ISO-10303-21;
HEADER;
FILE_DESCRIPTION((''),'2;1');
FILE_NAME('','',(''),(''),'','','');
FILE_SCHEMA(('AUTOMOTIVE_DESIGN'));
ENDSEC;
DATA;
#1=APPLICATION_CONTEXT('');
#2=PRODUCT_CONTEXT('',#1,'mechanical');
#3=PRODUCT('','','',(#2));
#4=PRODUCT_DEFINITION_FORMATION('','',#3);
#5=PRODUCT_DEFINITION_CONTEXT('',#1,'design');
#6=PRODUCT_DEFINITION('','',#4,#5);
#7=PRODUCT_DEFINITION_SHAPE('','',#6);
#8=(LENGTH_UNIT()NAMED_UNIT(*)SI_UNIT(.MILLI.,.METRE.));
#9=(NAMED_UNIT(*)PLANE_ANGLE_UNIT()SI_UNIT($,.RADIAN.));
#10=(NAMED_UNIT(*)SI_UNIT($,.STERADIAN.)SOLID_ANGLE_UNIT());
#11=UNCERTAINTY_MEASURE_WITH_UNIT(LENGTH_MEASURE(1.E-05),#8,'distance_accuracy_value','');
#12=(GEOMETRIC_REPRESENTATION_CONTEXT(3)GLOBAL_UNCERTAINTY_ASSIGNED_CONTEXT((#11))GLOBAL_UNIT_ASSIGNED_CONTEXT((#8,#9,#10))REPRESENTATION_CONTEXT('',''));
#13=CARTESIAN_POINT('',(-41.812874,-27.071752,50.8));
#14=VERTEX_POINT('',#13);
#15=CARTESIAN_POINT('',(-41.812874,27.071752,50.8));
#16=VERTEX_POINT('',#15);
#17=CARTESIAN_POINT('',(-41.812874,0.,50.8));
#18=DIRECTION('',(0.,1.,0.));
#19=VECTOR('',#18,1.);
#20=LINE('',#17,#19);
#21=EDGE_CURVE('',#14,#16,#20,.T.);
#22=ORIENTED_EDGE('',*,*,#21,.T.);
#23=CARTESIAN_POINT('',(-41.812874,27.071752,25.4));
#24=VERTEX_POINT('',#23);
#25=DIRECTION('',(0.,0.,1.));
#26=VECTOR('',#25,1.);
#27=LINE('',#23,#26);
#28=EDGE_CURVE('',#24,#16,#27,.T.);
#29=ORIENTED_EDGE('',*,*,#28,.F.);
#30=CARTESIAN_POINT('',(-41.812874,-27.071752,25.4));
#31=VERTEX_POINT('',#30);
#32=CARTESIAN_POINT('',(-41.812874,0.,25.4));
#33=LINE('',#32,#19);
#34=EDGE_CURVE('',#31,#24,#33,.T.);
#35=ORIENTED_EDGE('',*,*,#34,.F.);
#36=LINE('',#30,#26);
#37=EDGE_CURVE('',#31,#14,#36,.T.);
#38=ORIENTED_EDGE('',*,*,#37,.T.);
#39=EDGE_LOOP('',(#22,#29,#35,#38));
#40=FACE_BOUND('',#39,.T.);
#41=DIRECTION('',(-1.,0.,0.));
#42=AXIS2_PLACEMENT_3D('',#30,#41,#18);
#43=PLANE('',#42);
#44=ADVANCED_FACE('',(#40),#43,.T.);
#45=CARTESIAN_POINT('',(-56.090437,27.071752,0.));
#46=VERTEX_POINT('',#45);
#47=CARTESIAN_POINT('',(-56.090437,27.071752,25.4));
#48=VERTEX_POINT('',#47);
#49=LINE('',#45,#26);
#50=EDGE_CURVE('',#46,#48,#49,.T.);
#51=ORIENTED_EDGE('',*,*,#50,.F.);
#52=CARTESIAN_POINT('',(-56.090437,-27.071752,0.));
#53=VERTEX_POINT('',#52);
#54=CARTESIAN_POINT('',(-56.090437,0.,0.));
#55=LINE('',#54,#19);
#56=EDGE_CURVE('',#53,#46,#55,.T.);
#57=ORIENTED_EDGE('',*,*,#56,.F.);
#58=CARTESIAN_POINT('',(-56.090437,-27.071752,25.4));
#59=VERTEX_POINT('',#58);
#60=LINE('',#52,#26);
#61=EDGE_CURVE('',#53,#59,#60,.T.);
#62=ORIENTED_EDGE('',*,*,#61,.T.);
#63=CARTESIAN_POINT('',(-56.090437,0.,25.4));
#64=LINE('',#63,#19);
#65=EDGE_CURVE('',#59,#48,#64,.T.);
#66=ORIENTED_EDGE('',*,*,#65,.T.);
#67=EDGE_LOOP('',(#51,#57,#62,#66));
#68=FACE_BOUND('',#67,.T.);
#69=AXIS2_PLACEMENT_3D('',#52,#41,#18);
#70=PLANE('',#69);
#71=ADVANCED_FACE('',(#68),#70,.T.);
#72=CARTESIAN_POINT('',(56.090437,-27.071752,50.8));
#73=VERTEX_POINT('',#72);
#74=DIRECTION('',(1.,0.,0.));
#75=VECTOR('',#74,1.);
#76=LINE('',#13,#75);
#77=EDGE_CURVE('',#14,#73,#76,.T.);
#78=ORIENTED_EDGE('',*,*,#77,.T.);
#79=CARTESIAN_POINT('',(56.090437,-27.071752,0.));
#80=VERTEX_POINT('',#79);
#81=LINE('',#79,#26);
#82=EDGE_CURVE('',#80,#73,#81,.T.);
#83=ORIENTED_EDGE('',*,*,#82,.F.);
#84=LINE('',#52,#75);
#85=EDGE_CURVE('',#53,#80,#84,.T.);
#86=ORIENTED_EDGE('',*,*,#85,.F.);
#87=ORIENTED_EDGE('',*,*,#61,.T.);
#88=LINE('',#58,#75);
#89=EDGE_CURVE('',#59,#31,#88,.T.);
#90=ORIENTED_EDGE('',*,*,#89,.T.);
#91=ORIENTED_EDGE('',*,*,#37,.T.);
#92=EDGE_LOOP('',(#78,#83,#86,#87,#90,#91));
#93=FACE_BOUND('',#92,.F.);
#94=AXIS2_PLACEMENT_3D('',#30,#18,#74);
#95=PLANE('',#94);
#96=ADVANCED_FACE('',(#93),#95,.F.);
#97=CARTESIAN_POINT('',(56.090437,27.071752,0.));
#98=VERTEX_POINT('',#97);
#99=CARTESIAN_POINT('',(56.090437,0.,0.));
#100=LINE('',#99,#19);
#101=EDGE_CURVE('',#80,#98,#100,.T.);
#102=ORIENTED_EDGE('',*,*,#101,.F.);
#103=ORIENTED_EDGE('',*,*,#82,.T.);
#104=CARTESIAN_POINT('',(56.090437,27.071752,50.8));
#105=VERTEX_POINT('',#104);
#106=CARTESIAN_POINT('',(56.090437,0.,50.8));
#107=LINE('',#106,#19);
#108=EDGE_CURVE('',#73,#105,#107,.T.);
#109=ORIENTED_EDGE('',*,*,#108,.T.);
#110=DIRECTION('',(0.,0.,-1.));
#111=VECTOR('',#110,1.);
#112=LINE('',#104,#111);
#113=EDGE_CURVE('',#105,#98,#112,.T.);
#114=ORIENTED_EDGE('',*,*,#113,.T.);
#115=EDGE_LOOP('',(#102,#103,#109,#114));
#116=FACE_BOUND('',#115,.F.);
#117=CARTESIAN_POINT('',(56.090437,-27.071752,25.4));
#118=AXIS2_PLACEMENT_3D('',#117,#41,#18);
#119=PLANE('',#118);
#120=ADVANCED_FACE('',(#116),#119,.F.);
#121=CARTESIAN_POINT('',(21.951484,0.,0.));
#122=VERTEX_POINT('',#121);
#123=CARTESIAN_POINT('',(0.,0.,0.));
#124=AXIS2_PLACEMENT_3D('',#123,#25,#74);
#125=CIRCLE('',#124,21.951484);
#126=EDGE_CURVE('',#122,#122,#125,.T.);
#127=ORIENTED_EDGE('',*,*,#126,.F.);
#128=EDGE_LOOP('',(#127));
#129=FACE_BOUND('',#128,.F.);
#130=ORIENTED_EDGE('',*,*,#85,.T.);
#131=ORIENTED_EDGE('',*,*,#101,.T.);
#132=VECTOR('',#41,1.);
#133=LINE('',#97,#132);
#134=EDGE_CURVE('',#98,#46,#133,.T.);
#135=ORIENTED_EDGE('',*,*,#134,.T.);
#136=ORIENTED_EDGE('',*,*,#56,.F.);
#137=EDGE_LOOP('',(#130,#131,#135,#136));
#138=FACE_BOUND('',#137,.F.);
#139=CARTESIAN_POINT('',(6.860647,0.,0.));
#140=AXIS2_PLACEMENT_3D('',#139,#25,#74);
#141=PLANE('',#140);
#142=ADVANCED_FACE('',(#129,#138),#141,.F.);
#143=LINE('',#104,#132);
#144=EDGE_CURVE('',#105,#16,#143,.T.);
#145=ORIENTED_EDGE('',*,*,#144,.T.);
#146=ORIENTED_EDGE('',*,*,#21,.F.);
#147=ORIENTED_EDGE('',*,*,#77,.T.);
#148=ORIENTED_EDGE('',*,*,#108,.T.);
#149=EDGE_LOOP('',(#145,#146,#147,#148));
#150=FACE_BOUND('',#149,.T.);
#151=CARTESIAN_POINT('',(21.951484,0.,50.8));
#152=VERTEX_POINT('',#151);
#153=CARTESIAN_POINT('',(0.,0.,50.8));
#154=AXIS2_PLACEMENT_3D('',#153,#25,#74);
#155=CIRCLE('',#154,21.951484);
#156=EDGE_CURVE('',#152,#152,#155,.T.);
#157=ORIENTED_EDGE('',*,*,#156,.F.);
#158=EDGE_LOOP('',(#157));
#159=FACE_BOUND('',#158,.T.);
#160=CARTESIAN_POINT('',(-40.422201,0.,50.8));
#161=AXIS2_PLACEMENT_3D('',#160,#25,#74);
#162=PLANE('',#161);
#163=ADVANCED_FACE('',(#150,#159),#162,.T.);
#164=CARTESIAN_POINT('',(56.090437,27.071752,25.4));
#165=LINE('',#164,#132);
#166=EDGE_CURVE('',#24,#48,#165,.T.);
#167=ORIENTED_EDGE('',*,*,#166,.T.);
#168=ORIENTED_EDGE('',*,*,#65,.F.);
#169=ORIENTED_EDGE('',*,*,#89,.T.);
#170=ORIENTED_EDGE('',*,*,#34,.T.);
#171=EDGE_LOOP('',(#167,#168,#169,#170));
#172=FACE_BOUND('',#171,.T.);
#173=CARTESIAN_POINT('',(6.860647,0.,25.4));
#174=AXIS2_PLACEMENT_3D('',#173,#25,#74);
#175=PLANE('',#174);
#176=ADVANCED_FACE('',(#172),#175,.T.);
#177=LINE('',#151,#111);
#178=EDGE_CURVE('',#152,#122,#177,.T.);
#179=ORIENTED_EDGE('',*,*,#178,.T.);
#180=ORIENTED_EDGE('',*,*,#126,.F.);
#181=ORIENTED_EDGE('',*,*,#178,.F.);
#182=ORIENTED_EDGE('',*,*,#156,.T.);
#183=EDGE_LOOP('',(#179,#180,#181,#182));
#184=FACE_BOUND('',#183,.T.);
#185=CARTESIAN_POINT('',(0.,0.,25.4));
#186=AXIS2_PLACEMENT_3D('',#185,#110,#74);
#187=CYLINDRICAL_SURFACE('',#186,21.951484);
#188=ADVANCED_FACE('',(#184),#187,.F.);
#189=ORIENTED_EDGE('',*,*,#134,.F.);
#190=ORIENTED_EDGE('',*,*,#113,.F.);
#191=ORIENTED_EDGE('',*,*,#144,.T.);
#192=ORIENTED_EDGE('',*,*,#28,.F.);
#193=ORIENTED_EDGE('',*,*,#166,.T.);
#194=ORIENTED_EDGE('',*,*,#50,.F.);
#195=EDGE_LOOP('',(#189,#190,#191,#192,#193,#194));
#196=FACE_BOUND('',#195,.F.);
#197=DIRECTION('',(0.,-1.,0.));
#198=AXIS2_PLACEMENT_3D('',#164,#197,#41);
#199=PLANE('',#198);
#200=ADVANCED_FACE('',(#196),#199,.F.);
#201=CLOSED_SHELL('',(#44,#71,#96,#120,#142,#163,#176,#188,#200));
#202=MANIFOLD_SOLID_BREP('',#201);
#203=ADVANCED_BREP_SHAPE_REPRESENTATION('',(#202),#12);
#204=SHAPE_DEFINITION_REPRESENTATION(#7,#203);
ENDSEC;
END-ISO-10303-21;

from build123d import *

# Parameters (mm, degrees)
F0_W     = 98.459579
F0_H     = 54.143504
F0_R     = 21.951484
F0_W_2   = 7.046074
F0_W_3   = 6.675221
F1_DEPTH = 25.4
F2_W     = 2.781346
F2_H     = 54.143504
F2_W_2   = 95.121965
F2_R     = 21.951484
F3_DEPTH = 25.4


with BuildPart() as f1:
    # F0 (on Top) → F1 (new body)
    with BuildSketch(Plane.XY):
        with Locations((6.860647, 0)):
            Rectangle(F0_W, F0_H)
        Circle(F0_R, mode=Mode.SUBTRACT)
        with Locations((-45.892179, 0)):
            Rectangle(F0_W_2, F0_H)
        with Locations((-52.752826, 0)):
            Rectangle(F0_W_3, F0_H)
    extrude(amount=F1_DEPTH)

    # F2 (on face) → F3 (join)
    with BuildSketch(Plane.XY.offset(25.4)):
        with Locations((-40.422201, 0)):
            Rectangle(F2_W, F2_H)
        with Locations((8.529454, 0)):
            Rectangle(F2_W_2, F2_H)
        Circle(F2_R, mode=Mode.SUBTRACT)
    extrude(amount=F3_DEPTH)


solid = f1.part
